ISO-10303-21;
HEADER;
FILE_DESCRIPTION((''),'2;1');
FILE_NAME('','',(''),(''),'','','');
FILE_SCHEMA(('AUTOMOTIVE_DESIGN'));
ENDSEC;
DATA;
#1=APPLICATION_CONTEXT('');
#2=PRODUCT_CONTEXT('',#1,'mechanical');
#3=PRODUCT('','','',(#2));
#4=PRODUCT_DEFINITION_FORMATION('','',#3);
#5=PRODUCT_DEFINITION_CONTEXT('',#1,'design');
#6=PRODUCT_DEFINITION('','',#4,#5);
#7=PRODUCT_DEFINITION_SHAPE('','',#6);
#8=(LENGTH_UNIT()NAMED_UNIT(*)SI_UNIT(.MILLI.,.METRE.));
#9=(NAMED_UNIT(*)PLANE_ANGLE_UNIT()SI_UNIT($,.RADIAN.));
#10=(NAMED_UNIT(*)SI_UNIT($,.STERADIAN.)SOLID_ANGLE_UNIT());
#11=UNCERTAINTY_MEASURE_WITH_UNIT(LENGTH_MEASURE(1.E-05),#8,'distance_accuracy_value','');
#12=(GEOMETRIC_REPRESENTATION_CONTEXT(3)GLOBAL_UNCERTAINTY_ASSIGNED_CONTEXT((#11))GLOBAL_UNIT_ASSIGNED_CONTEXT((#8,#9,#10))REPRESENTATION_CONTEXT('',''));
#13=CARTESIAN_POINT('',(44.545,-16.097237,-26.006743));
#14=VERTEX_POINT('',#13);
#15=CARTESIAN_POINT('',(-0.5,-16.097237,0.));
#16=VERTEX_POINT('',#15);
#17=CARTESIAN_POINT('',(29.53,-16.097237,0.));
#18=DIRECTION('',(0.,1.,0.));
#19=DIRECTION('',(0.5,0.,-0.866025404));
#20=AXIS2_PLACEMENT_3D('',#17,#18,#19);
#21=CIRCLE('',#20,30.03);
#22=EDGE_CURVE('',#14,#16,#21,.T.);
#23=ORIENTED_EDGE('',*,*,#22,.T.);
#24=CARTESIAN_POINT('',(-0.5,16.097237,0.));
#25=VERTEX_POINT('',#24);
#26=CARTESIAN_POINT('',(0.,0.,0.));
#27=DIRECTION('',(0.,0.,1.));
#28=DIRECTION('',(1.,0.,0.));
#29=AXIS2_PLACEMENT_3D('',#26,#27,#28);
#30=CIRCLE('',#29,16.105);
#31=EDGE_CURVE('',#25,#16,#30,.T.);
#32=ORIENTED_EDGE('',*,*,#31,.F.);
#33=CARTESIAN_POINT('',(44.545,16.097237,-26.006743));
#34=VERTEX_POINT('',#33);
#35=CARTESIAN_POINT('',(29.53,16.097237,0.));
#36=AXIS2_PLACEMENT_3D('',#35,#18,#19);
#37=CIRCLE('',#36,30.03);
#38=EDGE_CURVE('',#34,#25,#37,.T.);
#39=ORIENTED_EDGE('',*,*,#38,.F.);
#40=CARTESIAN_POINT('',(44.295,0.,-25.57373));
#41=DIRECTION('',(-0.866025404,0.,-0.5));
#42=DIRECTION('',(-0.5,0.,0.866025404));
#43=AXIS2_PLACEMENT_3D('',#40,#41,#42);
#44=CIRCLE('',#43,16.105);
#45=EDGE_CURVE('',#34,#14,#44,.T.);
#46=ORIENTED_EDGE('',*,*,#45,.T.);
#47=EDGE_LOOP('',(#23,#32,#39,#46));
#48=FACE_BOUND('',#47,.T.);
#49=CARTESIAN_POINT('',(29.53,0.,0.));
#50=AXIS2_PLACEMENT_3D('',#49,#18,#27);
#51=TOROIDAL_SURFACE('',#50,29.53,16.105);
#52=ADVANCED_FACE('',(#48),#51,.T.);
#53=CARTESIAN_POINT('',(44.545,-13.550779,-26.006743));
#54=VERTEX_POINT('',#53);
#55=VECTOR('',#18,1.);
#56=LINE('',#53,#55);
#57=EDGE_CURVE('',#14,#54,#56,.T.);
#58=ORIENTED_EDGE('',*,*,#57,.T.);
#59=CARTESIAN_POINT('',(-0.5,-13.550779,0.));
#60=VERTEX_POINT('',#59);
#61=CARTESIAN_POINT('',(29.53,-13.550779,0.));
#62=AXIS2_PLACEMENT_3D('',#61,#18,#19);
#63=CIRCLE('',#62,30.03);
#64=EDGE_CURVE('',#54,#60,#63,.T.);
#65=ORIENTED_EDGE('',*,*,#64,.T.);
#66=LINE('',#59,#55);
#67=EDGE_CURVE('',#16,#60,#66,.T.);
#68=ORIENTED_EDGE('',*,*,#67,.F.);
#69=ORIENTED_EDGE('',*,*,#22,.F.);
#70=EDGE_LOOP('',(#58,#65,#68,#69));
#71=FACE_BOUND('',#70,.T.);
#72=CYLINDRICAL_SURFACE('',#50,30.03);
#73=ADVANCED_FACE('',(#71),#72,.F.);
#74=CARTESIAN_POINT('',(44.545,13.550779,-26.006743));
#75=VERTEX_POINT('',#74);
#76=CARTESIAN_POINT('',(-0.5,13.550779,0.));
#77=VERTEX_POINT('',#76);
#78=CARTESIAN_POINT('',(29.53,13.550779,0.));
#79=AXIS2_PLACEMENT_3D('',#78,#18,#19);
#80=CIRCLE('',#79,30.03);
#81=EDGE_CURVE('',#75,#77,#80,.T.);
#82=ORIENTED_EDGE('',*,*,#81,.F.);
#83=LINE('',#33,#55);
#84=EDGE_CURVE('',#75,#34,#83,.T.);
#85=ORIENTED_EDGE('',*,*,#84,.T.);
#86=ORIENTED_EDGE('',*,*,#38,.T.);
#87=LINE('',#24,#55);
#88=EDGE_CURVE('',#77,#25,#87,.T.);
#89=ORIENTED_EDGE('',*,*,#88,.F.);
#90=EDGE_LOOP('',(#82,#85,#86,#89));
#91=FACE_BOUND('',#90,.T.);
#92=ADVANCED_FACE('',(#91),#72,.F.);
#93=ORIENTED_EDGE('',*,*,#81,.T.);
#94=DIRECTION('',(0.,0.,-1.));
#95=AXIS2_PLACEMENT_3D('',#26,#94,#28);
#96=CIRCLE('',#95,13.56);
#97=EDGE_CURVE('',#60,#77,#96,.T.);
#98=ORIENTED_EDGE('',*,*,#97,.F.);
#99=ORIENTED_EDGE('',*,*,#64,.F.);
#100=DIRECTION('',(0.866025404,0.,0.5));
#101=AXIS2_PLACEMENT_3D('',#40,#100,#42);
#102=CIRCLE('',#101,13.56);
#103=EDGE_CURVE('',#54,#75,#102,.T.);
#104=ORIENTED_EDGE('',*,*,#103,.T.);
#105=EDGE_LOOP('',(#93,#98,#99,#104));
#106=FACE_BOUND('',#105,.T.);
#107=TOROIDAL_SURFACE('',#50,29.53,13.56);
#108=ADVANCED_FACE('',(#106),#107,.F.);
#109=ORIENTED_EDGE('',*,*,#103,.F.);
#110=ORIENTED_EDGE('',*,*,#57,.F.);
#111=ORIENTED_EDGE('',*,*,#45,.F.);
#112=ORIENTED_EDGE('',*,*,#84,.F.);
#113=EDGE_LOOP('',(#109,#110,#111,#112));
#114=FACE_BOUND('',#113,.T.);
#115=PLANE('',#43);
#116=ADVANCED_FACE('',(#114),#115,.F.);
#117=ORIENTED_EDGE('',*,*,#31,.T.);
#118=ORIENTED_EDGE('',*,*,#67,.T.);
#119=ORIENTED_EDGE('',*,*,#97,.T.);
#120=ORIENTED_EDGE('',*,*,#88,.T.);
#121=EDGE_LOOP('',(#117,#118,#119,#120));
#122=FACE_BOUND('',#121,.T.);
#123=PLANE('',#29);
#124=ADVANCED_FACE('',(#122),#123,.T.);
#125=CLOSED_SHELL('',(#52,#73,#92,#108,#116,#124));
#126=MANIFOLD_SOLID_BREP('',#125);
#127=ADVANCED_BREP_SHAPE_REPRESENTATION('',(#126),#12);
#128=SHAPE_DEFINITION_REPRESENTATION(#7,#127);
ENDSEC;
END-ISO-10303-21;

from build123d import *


with BuildPart() as part:
    # Sweep1: sweep along a path in Sketch2
    with BuildLine(Plane(origin=(0, 0, 0), x_dir=(1, 0, 0), z_dir=(0, 1, 0))) as sweep1_path:
        ThreePointArc((44.295, 25.573730174), (14.765, 25.573730174), (0, 0))
    # Sketch1 → Sweep1 (sweep)
    with BuildSketch(Plane.XY):
        with BuildLine():
            Line((-0.5, 16.097236564), (-0.5, 13.550778575))
            ThreePointArc((-0.5, 13.550778575), (-13.56, 0), (-0.5, -13.550778575))
            Line((-0.5, -13.550778575), (-0.5, -16.097236564))
            ThreePointArc((-0.5, -16.097236564), (-16.105, 0), (-0.5, 16.097236564))
        make_face()
    sweep(path=sweep1_path.line)


solid = part.part
